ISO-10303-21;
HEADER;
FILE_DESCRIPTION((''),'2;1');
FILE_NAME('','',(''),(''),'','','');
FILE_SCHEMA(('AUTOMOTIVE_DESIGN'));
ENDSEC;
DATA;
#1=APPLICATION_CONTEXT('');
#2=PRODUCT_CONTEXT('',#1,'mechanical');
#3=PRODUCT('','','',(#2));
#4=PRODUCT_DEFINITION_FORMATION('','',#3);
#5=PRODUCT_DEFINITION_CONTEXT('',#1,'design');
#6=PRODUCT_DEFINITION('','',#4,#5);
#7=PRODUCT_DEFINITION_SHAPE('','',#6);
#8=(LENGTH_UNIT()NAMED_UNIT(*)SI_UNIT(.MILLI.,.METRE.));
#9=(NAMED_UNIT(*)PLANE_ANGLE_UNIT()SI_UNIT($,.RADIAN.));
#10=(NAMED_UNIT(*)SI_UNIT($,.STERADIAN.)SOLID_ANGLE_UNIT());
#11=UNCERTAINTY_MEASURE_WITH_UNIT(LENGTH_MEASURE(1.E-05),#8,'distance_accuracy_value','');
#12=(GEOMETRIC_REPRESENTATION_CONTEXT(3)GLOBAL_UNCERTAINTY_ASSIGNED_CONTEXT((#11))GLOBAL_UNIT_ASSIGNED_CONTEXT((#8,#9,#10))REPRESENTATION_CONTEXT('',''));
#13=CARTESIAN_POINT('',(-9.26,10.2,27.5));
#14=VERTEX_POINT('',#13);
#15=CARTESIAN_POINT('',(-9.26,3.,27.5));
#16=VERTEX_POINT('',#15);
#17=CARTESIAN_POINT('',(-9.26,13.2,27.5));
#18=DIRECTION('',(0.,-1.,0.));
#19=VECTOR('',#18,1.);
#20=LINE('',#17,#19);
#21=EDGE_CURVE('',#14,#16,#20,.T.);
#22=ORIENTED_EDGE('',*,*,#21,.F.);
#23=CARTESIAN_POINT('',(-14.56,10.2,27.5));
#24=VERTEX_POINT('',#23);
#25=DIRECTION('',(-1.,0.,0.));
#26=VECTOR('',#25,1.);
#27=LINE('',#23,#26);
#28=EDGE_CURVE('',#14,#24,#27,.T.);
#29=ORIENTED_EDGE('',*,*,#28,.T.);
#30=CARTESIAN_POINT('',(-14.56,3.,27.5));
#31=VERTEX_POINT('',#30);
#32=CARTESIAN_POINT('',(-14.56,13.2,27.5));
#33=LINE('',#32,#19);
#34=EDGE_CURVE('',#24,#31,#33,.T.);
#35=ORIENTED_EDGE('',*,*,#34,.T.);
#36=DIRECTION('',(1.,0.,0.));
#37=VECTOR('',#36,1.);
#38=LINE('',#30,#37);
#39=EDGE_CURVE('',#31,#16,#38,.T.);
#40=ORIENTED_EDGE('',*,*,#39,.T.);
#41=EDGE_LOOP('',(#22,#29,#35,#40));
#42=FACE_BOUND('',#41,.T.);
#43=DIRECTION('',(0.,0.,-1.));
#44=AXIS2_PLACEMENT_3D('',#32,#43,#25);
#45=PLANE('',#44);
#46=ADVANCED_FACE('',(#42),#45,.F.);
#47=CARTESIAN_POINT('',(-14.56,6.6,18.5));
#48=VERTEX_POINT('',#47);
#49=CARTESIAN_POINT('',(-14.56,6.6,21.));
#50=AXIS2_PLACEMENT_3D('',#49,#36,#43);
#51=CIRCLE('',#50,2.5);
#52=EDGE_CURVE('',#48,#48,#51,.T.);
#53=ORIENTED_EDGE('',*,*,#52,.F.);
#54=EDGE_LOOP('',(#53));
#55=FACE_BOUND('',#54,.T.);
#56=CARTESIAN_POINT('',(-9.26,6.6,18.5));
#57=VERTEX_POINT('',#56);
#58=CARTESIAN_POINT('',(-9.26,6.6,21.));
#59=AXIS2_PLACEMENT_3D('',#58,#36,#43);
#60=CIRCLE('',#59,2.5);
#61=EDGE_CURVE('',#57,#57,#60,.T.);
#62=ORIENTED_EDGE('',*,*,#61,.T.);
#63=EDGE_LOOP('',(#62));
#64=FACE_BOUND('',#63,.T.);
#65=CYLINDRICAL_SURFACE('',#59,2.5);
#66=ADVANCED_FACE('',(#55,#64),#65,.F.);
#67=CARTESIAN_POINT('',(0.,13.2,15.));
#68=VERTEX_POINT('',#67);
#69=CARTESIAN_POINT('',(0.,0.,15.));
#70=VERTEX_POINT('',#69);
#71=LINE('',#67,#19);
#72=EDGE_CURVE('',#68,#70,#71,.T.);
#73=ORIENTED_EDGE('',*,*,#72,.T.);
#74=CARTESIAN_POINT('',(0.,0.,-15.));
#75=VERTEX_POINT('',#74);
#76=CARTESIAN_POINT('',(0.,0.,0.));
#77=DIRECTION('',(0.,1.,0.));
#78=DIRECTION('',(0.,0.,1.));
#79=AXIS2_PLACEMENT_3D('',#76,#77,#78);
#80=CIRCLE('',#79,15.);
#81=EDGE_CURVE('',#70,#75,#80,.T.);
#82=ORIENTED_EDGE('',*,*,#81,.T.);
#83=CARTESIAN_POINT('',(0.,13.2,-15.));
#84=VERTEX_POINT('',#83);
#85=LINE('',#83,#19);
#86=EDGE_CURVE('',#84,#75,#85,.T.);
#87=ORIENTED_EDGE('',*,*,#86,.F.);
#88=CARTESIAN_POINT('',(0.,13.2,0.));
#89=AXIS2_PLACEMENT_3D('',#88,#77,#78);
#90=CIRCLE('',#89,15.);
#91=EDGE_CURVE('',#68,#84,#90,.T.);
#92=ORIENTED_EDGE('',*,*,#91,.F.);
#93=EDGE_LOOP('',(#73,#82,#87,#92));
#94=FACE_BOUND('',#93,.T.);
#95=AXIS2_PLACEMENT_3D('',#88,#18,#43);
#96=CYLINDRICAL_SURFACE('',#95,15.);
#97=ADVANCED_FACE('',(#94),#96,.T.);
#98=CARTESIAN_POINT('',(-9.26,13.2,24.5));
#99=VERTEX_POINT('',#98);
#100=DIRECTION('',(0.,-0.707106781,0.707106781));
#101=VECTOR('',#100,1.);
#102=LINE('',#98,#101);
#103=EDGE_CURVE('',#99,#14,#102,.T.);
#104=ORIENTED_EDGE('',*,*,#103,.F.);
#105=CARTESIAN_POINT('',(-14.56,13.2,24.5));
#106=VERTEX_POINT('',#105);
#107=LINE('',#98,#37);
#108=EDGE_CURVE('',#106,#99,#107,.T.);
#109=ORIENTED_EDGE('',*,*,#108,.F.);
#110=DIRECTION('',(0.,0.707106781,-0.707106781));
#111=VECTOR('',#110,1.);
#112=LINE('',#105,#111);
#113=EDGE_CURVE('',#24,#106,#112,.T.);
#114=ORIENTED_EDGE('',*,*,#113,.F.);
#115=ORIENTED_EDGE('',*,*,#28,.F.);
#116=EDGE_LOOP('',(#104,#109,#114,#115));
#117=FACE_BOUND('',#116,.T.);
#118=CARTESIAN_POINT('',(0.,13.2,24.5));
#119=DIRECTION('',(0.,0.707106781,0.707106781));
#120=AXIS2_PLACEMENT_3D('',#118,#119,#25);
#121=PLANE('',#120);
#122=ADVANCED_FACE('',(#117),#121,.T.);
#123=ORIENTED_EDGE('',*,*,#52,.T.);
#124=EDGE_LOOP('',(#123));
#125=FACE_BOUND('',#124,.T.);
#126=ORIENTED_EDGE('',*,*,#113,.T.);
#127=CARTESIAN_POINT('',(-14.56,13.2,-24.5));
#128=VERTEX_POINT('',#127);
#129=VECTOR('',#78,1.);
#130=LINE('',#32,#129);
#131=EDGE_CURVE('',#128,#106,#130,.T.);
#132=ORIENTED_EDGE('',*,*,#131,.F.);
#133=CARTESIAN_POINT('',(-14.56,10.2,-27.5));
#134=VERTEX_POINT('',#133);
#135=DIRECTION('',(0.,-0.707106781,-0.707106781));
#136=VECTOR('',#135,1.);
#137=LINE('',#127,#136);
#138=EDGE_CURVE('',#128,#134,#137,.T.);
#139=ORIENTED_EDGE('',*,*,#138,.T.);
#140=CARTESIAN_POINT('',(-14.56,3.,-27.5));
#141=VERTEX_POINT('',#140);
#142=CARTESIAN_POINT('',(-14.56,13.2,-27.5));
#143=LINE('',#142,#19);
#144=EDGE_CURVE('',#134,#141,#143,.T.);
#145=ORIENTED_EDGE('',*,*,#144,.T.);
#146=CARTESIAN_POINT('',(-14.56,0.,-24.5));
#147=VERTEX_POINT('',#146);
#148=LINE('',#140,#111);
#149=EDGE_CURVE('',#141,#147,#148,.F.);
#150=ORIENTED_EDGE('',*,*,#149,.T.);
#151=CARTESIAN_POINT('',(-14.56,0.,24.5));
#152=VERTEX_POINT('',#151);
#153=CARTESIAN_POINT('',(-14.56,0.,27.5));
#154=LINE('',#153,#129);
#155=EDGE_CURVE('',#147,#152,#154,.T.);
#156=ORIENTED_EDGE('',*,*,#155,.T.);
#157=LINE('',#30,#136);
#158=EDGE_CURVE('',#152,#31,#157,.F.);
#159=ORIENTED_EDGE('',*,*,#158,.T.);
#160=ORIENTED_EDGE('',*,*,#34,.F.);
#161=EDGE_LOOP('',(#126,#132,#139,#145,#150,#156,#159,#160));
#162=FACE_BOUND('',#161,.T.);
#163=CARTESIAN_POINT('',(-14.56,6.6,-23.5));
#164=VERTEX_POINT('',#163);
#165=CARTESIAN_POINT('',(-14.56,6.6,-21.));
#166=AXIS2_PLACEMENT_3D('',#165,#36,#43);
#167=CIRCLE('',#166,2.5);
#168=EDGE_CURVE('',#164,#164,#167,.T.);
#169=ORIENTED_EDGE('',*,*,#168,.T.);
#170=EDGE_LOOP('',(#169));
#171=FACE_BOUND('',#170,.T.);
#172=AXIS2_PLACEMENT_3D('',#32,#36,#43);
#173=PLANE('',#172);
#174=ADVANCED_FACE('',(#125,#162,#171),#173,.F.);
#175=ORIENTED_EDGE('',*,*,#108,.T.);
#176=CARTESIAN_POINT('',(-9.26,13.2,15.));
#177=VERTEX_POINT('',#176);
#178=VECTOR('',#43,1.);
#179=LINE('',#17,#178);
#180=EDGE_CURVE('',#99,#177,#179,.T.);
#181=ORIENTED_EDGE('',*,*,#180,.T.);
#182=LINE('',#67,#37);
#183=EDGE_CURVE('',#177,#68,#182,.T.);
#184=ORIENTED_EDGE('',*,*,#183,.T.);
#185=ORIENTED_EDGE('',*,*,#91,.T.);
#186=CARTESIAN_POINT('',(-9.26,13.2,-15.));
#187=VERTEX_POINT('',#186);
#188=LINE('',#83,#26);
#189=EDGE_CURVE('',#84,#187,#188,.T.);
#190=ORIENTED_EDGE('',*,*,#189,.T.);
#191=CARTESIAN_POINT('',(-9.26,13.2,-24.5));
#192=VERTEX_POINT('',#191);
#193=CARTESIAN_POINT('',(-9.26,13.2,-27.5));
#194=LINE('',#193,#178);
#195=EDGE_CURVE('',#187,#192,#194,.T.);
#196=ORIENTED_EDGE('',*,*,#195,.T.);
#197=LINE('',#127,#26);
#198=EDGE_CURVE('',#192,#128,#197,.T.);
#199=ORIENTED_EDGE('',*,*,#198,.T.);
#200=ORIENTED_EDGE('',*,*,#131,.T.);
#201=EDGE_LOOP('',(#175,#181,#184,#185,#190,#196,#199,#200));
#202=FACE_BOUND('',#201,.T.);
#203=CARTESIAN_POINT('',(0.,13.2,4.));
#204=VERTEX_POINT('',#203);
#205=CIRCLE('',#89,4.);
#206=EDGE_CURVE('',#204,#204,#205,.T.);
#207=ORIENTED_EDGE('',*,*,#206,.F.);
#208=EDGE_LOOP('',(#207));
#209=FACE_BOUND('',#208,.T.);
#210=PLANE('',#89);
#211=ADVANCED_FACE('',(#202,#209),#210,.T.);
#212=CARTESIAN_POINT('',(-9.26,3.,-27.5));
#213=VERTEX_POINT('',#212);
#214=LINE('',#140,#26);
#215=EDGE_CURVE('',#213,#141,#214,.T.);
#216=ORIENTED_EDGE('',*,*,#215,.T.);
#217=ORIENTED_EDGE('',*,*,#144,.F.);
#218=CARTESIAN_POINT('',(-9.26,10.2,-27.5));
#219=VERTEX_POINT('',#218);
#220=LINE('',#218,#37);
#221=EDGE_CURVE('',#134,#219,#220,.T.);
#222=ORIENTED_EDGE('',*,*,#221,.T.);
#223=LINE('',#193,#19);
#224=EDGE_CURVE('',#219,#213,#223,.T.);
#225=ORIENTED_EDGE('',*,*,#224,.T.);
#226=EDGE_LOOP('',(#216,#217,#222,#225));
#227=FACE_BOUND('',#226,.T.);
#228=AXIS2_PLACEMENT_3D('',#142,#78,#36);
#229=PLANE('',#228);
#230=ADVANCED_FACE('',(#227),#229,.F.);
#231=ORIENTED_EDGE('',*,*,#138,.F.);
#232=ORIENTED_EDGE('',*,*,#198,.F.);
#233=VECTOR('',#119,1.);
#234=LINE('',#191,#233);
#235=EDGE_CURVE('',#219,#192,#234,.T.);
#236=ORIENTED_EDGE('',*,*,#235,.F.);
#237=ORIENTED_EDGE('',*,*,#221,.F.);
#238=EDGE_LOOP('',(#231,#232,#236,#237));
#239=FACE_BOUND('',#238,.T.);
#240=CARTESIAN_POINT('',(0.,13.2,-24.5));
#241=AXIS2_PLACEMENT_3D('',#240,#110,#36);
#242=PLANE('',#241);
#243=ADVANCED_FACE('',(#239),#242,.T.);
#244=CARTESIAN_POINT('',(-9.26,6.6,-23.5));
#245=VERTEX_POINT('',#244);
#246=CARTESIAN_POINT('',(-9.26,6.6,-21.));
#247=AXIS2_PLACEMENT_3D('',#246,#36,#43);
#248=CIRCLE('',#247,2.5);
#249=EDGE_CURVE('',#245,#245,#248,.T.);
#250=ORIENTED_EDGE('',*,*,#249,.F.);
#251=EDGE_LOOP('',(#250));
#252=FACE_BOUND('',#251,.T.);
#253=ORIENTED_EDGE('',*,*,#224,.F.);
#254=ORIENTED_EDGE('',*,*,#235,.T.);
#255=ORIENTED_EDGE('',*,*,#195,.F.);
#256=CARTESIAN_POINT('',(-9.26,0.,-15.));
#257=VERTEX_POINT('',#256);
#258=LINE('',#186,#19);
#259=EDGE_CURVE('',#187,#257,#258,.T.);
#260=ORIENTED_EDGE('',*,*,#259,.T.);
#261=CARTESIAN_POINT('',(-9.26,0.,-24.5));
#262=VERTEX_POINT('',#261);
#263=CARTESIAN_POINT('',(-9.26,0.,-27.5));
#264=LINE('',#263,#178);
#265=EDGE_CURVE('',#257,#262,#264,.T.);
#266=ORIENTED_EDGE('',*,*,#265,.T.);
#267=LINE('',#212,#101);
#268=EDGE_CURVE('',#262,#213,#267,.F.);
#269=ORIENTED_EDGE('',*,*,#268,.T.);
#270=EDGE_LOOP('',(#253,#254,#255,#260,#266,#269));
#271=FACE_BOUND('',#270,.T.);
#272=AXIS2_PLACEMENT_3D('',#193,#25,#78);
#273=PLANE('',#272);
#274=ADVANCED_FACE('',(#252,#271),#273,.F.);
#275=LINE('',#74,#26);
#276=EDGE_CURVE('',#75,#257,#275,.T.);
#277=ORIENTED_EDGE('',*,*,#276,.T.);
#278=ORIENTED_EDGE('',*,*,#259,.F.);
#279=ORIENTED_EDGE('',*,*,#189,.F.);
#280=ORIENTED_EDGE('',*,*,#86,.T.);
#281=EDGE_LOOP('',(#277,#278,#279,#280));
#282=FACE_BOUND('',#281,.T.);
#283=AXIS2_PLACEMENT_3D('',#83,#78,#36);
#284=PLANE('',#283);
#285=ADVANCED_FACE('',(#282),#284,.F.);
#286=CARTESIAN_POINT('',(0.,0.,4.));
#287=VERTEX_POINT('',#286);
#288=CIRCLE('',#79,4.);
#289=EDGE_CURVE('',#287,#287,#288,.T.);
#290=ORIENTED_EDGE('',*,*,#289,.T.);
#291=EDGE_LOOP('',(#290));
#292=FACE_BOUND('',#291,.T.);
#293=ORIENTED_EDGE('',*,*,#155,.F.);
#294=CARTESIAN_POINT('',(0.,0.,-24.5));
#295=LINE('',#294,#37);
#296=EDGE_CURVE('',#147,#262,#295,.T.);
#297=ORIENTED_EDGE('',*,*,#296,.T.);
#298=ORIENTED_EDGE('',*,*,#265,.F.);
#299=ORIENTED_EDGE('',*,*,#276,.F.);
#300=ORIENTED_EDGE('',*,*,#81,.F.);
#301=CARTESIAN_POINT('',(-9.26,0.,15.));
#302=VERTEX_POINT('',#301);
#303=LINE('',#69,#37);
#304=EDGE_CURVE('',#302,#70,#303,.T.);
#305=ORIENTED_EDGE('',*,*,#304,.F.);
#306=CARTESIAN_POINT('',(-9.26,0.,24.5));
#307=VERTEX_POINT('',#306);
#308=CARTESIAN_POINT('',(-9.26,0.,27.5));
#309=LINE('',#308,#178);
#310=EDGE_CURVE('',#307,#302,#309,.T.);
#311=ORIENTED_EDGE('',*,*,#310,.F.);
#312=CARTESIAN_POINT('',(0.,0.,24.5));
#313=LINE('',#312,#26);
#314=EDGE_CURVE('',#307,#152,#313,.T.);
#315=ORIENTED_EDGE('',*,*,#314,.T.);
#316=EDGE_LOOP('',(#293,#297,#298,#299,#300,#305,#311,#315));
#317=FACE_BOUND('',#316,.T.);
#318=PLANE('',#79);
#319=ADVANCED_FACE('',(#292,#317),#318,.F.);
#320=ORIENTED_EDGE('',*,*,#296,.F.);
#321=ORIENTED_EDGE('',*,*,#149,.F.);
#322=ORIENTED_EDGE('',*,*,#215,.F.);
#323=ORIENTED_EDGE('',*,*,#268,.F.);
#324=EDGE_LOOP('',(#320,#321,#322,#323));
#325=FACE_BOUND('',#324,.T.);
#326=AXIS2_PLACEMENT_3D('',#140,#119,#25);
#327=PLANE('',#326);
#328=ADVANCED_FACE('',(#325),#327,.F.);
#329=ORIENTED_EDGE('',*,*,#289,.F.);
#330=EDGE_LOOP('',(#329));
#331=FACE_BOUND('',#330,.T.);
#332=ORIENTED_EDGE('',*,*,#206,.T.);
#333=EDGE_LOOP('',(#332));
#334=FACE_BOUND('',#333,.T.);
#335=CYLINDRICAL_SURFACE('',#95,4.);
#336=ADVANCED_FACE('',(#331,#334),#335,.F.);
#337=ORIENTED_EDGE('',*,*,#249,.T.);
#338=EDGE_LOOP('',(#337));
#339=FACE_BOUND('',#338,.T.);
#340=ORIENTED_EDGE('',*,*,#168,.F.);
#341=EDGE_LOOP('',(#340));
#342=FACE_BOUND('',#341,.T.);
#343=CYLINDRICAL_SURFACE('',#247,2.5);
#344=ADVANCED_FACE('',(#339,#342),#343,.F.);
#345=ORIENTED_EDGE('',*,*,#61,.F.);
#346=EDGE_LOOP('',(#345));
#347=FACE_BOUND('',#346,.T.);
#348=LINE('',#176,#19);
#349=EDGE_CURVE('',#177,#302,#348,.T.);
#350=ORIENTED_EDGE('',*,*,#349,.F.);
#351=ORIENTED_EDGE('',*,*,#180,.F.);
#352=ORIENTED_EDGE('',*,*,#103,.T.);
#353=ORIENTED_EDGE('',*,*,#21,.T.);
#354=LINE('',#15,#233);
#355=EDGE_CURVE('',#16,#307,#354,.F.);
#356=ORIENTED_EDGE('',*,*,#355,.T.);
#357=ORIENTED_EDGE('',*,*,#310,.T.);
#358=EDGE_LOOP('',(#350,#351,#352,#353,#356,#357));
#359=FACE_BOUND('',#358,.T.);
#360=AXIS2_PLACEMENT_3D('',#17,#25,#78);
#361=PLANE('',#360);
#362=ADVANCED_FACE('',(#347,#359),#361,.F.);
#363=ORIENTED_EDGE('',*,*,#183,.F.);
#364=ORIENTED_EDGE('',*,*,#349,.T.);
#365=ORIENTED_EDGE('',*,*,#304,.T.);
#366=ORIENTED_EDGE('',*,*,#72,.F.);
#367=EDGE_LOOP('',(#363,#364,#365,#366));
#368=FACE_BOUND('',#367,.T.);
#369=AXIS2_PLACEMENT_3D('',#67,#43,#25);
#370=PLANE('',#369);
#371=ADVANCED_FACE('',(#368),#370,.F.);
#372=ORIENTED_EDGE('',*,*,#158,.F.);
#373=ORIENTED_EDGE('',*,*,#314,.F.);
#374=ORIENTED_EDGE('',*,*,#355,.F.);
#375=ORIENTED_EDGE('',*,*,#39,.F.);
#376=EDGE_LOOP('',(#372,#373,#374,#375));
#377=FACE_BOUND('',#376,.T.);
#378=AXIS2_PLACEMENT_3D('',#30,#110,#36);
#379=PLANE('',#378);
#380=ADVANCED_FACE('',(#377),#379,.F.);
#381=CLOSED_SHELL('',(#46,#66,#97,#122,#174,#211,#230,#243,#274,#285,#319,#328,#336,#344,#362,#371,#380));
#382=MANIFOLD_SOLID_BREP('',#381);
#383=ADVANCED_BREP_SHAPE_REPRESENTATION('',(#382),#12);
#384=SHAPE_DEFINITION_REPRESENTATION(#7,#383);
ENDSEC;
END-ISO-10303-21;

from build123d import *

# Parameters (mm, degrees)
SKETCH2_R                = 4
BOSS_EXTRUDE2_DEPTH      = 13.2
F_5_0_5_DIAMETER_HOLE1_D = 5
CHAMFER1_SIZE            = 3


with BuildPart() as part:
    # Sketch2 → Boss-Extrude2 (new body)
    with BuildSketch(Plane(origin=(0, 0, 0), x_dir=(1, 0, 0), z_dir=(0, 1, 0))):
        with BuildLine():
            Line((-14.56, -27.5), (-9.26, -27.5))
            Line((-9.26, -27.5), (-9.26, -15))
            Line((-9.26, -15), (0, -15))
            ThreePointArc((0, -15), (15, 0), (0, 15))
            Line((0, 15), (-9.26, 15))
            Line((-9.26, 15), (-9.26, 27.5))
            Line((-9.26, 27.5), (-14.56, 27.5))
            Line((-14.56, 27.5), (-14.56, -27.5))
        make_face()
        with Locations(Location((0, 0, 0), (0, 0, 270))):
            Circle(SKETCH2_R, mode=Mode.SUBTRACT)
    extrude(amount=BOSS_EXTRUDE2_DEPTH)

    # Ø5.0 (5) Diameter Hole1 (through all)
    with Locations(Plane(origin=(-9.26, 0, 0), x_dir=(0, 0, -1), z_dir=(1, 0, 0))):
        with Locations((21, 6.6), (-21, 6.6)):
            Hole(F_5_0_5_DIAMETER_HOLE1_D / 2)

    # Chamfer1
    chamfer1_edges = [part.edges().sort_by_distance(p)[0] for p in [
        (-11.91, 0, -27.5),
        (-11.91, 13.2, -27.5),
        (-11.91, 13.2, 27.5),
        (-11.91, 0, 27.5),
    ]]
    chamfer(chamfer1_edges, length=CHAMFER1_SIZE)


solid = part.part
